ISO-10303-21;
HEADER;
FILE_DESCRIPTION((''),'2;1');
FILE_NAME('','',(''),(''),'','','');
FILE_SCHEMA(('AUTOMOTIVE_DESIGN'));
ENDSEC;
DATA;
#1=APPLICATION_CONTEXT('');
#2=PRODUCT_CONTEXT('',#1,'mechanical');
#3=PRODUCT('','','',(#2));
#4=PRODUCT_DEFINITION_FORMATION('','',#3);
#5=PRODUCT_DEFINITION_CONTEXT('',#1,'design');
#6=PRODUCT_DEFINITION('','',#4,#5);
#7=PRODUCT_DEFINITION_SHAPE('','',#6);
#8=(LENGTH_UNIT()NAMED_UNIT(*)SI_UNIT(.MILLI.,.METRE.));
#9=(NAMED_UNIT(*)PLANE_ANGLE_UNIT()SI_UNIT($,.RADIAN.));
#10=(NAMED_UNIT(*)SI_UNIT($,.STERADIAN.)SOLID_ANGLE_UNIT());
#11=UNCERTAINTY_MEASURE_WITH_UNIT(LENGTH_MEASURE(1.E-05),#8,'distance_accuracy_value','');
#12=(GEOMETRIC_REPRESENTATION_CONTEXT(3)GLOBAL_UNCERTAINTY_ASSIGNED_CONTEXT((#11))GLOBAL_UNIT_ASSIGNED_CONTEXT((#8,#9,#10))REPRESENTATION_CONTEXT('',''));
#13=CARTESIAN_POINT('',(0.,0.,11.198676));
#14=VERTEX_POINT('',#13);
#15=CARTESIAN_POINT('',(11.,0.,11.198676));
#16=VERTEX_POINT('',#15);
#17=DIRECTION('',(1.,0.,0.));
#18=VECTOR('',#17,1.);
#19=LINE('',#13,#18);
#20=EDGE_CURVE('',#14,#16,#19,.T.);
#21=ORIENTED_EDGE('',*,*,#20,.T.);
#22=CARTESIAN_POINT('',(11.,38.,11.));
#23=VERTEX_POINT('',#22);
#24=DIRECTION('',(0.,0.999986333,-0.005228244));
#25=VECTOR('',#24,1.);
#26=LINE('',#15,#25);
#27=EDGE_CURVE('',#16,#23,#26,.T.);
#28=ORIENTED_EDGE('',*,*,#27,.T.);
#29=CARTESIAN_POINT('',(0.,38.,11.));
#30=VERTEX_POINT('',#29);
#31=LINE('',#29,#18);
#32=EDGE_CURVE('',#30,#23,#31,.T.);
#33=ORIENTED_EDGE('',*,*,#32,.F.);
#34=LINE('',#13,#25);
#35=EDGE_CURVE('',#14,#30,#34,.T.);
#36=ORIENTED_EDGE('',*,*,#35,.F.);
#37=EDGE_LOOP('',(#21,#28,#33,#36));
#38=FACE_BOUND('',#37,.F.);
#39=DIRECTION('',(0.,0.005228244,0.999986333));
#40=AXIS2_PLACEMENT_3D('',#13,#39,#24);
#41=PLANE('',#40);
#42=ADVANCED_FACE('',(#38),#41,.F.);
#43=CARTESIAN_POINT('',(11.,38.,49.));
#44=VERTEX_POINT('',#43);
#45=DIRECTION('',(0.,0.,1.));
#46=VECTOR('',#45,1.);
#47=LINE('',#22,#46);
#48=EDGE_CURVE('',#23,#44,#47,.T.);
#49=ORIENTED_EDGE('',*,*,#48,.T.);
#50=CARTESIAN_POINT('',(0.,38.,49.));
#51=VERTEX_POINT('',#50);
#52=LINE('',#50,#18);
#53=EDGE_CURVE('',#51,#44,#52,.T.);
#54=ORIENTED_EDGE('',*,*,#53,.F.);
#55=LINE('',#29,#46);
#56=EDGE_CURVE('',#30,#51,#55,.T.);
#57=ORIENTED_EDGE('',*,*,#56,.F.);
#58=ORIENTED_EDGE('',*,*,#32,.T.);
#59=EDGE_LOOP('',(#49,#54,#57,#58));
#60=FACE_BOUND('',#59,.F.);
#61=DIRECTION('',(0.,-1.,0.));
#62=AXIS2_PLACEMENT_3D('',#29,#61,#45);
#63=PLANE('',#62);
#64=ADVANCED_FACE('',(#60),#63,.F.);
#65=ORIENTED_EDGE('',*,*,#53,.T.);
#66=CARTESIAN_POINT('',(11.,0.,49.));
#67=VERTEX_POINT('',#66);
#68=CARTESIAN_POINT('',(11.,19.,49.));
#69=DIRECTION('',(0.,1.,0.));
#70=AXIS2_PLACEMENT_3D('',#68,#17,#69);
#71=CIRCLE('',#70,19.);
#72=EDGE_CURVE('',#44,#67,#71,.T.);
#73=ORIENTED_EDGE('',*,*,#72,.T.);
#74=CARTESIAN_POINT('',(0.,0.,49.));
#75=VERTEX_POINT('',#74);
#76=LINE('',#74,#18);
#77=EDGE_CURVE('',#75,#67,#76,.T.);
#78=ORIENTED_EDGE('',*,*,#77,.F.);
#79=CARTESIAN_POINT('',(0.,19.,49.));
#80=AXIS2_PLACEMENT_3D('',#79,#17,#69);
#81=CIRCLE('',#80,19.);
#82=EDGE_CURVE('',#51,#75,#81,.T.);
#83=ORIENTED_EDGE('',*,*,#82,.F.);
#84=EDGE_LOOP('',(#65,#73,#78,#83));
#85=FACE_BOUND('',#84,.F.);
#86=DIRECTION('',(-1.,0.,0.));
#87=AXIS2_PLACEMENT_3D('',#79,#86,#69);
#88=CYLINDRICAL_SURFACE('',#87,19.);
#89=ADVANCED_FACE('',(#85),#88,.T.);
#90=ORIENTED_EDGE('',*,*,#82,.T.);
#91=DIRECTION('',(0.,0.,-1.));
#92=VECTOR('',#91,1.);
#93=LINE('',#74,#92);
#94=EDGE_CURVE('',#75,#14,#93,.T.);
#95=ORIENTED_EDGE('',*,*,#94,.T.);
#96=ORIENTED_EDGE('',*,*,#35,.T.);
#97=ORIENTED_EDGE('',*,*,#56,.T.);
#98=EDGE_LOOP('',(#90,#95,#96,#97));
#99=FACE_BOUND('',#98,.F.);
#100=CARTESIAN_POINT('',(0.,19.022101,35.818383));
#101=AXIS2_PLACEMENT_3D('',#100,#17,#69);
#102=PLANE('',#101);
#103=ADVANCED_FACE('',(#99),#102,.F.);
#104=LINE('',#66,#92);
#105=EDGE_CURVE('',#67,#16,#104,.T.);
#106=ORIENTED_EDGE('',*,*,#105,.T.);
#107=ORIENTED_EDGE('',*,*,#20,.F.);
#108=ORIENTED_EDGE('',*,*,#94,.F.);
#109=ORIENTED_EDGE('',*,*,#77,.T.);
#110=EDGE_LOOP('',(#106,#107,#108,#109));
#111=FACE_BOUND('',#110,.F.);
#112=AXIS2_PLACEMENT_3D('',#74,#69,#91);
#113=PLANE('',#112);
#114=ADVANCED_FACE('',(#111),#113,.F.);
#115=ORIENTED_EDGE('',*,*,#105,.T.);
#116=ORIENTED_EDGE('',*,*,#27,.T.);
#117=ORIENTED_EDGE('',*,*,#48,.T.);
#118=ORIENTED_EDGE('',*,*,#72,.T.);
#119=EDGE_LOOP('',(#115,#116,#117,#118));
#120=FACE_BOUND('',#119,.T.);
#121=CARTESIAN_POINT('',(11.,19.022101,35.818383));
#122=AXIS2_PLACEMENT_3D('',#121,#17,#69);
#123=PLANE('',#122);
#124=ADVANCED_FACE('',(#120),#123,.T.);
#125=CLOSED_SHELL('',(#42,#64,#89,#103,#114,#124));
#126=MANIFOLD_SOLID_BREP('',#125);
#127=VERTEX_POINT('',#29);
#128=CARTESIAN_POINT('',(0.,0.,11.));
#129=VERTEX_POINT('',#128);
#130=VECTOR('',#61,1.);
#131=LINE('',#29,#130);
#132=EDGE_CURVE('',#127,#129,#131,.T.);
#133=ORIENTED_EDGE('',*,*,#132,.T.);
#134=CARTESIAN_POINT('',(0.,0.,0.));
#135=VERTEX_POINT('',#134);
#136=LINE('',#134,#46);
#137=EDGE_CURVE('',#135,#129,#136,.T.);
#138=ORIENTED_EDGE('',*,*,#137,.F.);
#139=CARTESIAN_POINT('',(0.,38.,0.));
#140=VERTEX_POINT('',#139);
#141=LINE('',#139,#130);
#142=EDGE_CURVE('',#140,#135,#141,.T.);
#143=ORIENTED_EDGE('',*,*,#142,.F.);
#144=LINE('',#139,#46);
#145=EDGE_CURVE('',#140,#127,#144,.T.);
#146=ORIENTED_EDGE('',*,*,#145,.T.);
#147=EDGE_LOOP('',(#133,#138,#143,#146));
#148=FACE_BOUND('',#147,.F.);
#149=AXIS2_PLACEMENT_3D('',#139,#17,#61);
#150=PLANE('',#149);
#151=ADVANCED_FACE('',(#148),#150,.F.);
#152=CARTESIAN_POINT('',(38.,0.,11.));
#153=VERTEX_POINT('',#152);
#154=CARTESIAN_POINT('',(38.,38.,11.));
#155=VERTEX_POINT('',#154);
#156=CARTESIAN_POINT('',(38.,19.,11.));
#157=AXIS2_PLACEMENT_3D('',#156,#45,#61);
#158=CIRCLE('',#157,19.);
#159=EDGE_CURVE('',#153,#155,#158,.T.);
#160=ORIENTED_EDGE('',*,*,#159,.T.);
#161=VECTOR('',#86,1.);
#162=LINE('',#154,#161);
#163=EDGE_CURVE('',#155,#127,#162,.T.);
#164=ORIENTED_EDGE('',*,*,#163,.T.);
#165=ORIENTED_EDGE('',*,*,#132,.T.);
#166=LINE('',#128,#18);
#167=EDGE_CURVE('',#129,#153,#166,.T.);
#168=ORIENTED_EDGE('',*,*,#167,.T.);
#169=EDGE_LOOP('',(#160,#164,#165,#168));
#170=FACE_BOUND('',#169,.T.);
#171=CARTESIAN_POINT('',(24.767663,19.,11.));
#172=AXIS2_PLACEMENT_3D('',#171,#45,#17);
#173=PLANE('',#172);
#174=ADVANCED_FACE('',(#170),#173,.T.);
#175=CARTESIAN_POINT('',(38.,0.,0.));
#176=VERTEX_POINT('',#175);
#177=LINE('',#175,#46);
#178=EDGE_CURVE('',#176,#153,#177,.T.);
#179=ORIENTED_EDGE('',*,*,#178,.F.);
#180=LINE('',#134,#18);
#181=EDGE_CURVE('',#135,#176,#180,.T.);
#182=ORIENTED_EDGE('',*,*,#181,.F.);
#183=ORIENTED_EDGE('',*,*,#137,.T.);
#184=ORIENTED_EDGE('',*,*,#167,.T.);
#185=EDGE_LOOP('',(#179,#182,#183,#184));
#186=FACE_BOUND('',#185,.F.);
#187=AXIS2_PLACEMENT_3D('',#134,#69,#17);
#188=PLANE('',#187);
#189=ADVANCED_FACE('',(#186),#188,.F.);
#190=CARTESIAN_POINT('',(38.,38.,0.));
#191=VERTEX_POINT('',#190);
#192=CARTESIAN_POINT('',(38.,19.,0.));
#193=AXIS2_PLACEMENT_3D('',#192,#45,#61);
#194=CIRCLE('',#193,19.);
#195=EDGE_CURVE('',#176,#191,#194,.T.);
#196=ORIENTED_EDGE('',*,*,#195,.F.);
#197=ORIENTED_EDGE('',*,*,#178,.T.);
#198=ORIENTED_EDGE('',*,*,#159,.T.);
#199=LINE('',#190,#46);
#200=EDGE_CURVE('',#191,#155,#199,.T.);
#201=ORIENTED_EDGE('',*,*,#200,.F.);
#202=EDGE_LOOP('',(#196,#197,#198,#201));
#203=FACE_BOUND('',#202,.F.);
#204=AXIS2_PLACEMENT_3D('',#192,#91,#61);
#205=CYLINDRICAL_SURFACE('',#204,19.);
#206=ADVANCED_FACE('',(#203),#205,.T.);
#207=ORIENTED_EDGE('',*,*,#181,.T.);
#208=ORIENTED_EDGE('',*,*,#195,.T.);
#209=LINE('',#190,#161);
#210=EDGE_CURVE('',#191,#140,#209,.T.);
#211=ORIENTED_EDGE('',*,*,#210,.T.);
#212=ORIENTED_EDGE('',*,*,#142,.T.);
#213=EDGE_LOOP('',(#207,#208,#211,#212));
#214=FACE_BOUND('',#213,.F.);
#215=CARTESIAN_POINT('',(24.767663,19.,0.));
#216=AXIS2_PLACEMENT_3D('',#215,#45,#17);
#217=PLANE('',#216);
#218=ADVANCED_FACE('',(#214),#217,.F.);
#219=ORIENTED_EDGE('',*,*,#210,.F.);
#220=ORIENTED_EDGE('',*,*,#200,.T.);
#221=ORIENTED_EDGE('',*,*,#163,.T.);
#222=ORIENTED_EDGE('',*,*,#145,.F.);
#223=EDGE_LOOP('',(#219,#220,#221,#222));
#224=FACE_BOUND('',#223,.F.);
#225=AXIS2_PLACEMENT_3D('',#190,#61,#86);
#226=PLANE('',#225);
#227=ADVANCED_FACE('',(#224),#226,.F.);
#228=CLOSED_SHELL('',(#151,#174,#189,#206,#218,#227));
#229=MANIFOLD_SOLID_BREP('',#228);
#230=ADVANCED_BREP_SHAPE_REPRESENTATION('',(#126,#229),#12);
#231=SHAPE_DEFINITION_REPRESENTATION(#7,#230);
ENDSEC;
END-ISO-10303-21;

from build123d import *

# Parameters (mm, degrees)
F1_DEPTH = 11
F3_DEPTH = 11


with BuildPart() as f1:
    # F0 (on Top) → F1 (new body)
    with BuildSketch(Plane.XY):
        with BuildLine():
            Line((0, 38), (0, 0))
            Line((0, 0), (38, 0))
            ThreePointArc((38, 0), (57, 19), (38, 38))
            Line((38, 38), (0, 38))
        make_face()
    extrude(amount=F1_DEPTH)


with BuildPart() as f3:
    # F2 (on Right) → F3 (new body)
    with BuildSketch(Plane.YZ):
        with BuildLine():
            Line((0, 49), (0, 11.198676))
            Line((0, 11.198676), (38, 11))
            Line((38, 11), (38, 49))
            ThreePointArc((38, 49), (19, 68), (0, 49))
        make_face()
    extrude(amount=F3_DEPTH)


solid = Compound([f1.part, f3.part])
